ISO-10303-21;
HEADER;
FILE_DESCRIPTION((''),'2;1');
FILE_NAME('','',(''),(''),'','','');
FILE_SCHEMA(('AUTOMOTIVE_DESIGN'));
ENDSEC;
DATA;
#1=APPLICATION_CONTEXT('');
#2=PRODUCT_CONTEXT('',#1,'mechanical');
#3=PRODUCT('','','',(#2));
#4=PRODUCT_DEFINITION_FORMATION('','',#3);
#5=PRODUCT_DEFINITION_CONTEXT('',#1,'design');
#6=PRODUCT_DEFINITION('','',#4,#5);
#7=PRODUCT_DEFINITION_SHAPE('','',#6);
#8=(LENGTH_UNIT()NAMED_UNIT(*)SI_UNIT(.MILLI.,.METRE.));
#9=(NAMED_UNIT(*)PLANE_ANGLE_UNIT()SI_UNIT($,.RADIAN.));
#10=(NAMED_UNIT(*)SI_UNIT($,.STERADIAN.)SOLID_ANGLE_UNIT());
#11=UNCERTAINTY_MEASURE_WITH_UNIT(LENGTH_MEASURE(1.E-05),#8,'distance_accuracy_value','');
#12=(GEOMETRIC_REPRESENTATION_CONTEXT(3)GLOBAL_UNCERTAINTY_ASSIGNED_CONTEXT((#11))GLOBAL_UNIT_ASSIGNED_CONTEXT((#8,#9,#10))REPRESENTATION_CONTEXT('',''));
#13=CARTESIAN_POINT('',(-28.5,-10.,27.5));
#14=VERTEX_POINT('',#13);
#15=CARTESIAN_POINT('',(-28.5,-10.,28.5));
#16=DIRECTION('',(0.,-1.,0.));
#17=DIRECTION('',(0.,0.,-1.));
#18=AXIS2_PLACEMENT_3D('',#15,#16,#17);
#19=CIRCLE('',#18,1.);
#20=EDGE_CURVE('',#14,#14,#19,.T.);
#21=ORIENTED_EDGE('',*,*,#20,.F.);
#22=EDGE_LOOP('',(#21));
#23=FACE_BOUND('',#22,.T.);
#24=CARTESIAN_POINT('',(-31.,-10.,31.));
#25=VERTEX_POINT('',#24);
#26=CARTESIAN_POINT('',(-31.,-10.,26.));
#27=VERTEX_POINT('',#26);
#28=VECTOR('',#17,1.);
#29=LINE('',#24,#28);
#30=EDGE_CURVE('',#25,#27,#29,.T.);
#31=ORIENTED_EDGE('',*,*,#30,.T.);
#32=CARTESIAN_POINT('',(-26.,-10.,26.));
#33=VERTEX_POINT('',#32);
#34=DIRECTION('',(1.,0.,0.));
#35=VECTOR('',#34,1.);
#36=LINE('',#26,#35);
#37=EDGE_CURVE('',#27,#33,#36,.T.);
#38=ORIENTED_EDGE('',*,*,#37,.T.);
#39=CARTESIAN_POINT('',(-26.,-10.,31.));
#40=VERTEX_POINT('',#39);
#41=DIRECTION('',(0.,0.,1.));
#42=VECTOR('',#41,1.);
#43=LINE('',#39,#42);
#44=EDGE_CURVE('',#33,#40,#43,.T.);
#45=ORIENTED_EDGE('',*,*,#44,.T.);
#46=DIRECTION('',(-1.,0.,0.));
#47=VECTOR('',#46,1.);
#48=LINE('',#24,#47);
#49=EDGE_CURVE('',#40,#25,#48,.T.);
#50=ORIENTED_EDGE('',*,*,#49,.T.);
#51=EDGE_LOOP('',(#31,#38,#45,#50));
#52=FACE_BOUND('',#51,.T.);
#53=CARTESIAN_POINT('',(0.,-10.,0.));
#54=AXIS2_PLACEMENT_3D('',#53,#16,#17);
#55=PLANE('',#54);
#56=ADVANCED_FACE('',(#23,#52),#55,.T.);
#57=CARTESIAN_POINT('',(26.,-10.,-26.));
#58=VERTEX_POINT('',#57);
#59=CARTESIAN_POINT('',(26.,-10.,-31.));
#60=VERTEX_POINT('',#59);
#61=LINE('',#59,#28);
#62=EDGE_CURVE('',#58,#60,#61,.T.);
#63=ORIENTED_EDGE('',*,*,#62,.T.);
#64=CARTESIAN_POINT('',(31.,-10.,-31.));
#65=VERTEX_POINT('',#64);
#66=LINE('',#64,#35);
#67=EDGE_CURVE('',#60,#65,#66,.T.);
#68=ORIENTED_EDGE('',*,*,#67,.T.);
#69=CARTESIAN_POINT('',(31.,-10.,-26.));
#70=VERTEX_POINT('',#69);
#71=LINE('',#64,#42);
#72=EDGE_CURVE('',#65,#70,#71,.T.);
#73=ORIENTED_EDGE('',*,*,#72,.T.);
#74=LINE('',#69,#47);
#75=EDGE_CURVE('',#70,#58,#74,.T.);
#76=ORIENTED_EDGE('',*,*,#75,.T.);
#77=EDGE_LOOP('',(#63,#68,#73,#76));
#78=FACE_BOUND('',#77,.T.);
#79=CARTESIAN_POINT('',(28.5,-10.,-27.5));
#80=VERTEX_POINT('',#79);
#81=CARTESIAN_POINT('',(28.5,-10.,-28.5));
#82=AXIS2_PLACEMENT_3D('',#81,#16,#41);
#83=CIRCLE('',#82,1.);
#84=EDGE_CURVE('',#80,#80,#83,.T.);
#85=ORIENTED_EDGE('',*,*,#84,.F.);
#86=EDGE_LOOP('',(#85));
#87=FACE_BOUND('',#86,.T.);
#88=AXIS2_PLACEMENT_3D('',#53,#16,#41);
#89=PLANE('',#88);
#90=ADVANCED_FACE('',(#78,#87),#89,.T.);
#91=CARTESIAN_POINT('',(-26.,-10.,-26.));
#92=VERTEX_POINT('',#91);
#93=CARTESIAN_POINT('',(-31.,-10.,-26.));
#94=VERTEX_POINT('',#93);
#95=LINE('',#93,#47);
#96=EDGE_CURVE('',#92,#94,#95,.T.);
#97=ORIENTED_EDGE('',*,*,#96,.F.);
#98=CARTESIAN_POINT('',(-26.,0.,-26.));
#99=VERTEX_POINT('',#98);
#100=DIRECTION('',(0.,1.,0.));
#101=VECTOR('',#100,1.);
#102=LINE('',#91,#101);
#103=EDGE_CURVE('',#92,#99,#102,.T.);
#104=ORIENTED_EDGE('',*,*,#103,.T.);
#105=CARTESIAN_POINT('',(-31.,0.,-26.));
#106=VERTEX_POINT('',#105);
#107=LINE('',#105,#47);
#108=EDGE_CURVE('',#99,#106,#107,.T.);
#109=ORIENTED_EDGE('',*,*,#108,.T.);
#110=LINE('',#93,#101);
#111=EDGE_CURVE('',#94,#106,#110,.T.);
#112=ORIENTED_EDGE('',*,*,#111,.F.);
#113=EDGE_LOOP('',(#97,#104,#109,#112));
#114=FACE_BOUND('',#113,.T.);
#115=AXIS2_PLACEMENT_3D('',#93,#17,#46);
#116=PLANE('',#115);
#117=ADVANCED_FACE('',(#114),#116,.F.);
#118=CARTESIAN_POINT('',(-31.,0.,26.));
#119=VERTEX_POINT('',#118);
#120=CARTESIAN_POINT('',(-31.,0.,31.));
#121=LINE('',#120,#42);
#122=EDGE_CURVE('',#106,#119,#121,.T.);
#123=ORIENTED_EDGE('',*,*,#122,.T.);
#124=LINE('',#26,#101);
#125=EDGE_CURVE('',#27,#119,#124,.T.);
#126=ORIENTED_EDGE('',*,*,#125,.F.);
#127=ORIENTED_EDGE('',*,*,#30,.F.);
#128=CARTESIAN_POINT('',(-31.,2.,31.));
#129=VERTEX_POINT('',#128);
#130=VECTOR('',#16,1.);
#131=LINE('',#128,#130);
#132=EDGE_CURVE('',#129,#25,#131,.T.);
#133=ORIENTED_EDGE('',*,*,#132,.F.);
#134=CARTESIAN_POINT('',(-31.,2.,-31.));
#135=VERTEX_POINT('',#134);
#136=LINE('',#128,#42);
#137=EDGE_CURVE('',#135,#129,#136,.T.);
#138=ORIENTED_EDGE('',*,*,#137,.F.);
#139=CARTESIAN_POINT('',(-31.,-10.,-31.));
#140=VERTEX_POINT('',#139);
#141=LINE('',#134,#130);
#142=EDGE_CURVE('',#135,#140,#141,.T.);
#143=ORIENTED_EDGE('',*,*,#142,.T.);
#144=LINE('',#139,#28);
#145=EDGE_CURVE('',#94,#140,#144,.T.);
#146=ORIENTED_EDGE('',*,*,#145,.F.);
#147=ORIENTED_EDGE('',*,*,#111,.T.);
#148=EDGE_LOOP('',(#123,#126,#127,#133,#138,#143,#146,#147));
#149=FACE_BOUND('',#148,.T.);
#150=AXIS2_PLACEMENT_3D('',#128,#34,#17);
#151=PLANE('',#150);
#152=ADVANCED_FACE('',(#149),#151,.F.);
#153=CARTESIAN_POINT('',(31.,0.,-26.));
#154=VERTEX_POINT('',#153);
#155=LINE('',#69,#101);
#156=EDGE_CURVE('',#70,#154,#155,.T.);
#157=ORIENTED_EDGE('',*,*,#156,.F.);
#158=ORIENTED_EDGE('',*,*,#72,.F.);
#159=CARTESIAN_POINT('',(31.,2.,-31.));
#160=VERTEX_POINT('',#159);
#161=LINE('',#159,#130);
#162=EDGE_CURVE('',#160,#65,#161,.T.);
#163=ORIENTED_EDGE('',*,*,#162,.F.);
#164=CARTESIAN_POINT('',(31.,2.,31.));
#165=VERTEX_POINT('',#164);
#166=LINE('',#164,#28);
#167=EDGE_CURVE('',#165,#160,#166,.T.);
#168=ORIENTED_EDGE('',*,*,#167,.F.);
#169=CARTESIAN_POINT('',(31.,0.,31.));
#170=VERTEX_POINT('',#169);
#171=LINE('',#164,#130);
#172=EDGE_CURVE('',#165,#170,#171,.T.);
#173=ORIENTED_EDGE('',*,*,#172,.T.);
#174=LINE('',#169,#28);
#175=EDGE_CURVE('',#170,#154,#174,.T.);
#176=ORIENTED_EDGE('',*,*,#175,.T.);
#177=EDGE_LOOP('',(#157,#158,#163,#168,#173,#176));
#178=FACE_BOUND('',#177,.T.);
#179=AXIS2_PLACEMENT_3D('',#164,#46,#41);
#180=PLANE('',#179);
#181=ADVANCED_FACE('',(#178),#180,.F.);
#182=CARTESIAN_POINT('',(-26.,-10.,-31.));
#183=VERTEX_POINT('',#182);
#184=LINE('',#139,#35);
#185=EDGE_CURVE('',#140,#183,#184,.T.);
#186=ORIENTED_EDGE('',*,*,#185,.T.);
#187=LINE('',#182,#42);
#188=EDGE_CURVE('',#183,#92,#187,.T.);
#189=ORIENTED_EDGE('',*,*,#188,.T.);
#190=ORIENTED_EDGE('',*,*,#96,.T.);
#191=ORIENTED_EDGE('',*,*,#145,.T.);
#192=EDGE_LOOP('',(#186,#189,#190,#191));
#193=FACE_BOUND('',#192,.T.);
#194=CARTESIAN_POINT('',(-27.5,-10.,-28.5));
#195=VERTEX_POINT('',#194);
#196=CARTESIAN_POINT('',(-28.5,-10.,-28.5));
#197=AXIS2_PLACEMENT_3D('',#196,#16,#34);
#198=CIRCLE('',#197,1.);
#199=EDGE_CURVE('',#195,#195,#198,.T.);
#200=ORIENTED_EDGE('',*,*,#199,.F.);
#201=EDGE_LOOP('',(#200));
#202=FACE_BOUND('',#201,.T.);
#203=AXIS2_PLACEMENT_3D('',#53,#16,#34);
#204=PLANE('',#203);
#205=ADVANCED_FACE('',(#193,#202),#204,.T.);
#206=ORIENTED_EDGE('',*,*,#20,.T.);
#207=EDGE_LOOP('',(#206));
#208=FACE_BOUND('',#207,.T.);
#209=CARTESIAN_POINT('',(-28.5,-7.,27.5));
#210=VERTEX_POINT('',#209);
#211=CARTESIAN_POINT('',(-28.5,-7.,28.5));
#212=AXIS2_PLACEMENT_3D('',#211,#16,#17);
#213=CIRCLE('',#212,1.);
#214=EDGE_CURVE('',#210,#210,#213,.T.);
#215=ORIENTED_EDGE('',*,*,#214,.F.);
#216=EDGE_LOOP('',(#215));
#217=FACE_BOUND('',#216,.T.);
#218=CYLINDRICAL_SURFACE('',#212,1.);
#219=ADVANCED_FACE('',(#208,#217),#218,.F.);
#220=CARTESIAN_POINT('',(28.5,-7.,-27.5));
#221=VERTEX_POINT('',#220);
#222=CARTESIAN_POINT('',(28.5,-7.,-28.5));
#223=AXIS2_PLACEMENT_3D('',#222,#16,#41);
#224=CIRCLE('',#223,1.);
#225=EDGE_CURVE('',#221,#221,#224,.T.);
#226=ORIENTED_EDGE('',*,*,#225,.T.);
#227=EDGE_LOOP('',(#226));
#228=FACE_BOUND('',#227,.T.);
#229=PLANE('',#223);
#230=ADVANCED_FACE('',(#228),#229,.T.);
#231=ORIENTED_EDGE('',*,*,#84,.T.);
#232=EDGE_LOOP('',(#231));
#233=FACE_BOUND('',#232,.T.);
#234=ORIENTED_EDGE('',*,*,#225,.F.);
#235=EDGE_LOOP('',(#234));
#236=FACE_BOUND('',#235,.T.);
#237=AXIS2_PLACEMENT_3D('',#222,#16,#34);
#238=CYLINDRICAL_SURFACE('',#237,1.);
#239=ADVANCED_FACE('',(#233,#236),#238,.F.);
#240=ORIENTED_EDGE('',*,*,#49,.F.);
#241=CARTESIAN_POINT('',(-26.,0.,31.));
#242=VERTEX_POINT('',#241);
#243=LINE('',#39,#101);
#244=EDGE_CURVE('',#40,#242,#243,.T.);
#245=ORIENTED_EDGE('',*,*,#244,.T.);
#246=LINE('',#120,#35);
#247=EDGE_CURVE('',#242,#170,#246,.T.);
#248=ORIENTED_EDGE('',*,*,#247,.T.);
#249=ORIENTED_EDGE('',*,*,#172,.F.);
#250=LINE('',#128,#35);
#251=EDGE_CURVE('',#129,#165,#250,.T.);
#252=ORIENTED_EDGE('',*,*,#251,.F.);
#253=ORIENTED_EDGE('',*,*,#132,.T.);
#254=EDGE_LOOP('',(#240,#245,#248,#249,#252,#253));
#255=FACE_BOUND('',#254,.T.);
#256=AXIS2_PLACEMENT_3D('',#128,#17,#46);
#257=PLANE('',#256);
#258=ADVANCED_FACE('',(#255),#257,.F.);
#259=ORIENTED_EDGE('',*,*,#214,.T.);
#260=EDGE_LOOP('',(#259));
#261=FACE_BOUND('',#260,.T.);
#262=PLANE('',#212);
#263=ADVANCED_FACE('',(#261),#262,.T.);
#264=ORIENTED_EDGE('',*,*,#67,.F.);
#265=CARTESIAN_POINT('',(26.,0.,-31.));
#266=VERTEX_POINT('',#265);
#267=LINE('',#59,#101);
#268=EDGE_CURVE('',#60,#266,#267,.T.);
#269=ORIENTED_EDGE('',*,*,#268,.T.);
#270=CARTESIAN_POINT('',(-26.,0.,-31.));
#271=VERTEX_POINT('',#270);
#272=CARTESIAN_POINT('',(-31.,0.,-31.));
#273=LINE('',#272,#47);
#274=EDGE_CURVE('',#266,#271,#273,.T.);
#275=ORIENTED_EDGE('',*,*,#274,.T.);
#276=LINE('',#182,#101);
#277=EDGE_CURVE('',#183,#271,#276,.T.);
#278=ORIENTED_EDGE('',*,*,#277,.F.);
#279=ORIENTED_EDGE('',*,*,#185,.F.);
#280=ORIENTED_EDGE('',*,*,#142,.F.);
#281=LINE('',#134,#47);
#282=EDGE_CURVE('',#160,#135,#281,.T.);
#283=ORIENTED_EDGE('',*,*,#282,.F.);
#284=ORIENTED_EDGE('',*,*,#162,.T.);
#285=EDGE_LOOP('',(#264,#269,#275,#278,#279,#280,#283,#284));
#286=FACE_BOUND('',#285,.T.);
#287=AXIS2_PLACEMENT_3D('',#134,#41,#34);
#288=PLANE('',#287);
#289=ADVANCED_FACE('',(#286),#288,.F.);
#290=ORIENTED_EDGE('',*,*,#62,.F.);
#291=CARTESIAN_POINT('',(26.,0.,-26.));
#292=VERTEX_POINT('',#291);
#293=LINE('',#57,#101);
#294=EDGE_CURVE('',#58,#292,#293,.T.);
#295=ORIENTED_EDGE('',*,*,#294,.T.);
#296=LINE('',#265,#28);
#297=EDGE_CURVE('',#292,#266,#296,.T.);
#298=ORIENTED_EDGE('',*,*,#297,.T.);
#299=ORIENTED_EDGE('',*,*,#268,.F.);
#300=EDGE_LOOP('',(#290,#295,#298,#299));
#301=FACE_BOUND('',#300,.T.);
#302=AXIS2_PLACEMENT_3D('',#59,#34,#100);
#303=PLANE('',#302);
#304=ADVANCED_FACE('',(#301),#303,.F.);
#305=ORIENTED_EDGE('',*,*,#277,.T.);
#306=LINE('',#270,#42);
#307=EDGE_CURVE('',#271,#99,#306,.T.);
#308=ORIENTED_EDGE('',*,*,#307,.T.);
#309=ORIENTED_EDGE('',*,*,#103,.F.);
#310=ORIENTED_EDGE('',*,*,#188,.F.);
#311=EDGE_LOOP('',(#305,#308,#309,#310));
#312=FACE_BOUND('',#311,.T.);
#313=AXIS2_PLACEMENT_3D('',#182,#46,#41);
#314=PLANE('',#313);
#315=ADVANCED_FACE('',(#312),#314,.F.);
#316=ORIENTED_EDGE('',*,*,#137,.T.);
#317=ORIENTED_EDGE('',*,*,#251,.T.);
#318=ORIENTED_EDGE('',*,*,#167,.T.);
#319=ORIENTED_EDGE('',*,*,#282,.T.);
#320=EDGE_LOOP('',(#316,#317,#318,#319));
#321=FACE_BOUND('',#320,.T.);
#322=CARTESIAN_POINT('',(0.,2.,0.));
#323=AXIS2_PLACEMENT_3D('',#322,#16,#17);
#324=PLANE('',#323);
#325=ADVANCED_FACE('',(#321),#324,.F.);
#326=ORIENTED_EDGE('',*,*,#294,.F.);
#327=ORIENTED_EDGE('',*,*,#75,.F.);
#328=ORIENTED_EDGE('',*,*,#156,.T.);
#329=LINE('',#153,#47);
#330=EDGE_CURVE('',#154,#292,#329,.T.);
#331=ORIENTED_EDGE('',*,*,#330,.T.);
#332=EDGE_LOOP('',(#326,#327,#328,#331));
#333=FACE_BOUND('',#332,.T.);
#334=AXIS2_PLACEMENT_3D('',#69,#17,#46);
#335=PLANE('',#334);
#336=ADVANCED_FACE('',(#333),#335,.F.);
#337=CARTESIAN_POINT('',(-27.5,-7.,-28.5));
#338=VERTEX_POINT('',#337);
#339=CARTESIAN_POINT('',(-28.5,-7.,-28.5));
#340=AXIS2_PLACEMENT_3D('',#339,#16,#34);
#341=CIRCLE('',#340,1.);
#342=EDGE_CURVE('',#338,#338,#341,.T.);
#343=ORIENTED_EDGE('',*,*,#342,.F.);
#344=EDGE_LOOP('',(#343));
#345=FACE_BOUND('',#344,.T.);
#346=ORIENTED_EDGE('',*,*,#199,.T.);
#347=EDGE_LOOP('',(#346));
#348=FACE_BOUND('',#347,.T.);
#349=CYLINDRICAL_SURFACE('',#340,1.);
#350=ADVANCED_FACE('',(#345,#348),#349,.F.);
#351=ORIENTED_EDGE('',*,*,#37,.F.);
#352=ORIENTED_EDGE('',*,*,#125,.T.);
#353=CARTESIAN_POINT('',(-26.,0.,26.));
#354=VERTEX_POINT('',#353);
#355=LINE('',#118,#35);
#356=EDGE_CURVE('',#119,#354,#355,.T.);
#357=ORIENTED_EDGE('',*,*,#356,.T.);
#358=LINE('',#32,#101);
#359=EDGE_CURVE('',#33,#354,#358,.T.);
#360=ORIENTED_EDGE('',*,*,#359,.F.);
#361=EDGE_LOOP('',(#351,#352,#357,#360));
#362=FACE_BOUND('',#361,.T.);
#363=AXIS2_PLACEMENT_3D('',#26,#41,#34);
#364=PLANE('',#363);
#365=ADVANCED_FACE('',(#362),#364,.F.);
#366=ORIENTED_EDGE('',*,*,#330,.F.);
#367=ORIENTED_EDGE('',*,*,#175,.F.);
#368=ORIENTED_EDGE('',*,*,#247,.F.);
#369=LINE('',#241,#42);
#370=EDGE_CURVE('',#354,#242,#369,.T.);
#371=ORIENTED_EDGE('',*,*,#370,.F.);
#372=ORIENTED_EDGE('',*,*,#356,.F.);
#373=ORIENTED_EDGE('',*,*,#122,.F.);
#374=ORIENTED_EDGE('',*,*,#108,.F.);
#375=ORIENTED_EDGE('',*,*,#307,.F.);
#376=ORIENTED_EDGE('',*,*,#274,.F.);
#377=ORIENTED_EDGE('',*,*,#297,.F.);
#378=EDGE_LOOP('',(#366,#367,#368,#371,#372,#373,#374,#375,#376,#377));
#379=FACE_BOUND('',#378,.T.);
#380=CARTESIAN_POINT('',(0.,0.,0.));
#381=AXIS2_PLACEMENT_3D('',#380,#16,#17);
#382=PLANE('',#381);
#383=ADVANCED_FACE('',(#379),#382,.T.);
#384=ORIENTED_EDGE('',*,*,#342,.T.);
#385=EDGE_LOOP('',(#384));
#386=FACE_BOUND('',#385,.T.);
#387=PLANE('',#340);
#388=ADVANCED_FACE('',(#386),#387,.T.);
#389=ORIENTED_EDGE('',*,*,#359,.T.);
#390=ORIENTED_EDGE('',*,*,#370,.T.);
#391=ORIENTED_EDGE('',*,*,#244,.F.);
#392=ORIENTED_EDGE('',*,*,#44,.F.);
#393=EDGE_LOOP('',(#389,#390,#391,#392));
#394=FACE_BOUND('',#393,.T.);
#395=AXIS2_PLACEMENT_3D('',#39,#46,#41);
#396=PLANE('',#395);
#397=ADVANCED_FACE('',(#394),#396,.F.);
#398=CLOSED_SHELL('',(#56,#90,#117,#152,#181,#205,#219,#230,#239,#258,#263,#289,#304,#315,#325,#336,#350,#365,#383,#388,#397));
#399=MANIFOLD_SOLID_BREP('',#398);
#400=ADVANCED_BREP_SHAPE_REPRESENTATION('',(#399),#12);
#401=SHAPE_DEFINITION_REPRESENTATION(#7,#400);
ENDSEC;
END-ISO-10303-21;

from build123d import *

# Parameters (mm, degrees)
SKETCH2_W           = 62
SKETCH2_H           = 62
BOSS_EXTRUDE1_DEPTH = 2
SKETCH3_W           = 5
SKETCH3_H           = 5
BOSS_EXTRUDE2_DEPTH = 10
SKETCH6_R           = 1
CUT_EXTRUDE2_DEPTH  = 3
CIRPATTERN1_COUNT   = 3
CIRPATTERN1_ANGLE   = 180


with BuildPart() as part:
    # Sketch2 → Boss-Extrude1 (new body)
    with BuildSketch(Plane(origin=(0, 0, 0), x_dir=(1, 0, 0), z_dir=(0, 1, 0))):
        Rectangle(SKETCH2_W, SKETCH2_H)
    extrude(amount=BOSS_EXTRUDE1_DEPTH)

    # Sketch3 → Boss-Extrude2 (add)
    with BuildSketch(Plane.XZ):
        with Locations((-28.5, 28.5)):
            Rectangle(SKETCH3_W, SKETCH3_H)
    boss_extrude2 = extrude(amount=BOSS_EXTRUDE2_DEPTH)

    # Sketch6 → Cut-Extrude2 (cut)
    with BuildSketch(Plane.XZ.offset(10)):
        with Locations((-28.5, 28.5)):
            Circle(SKETCH6_R)
    cut_extrude2 = extrude(amount=-CUT_EXTRUDE2_DEPTH, mode=Mode.SUBTRACT)

    # CirPattern1: Boss-Extrude2, Cut-Extrude2 ×3 about axis
    cirpattern1_axis = Axis((0, 0, 0), (0, -1, 0))
    for i in range(1, CIRPATTERN1_COUNT):
        add(boss_extrude2.rotate(cirpattern1_axis, i * CIRPATTERN1_ANGLE / (CIRPATTERN1_COUNT - 1)))
        add(cut_extrude2.rotate(cirpattern1_axis, i * CIRPATTERN1_ANGLE / (CIRPATTERN1_COUNT - 1)), mode=Mode.SUBTRACT)


solid = part.part
